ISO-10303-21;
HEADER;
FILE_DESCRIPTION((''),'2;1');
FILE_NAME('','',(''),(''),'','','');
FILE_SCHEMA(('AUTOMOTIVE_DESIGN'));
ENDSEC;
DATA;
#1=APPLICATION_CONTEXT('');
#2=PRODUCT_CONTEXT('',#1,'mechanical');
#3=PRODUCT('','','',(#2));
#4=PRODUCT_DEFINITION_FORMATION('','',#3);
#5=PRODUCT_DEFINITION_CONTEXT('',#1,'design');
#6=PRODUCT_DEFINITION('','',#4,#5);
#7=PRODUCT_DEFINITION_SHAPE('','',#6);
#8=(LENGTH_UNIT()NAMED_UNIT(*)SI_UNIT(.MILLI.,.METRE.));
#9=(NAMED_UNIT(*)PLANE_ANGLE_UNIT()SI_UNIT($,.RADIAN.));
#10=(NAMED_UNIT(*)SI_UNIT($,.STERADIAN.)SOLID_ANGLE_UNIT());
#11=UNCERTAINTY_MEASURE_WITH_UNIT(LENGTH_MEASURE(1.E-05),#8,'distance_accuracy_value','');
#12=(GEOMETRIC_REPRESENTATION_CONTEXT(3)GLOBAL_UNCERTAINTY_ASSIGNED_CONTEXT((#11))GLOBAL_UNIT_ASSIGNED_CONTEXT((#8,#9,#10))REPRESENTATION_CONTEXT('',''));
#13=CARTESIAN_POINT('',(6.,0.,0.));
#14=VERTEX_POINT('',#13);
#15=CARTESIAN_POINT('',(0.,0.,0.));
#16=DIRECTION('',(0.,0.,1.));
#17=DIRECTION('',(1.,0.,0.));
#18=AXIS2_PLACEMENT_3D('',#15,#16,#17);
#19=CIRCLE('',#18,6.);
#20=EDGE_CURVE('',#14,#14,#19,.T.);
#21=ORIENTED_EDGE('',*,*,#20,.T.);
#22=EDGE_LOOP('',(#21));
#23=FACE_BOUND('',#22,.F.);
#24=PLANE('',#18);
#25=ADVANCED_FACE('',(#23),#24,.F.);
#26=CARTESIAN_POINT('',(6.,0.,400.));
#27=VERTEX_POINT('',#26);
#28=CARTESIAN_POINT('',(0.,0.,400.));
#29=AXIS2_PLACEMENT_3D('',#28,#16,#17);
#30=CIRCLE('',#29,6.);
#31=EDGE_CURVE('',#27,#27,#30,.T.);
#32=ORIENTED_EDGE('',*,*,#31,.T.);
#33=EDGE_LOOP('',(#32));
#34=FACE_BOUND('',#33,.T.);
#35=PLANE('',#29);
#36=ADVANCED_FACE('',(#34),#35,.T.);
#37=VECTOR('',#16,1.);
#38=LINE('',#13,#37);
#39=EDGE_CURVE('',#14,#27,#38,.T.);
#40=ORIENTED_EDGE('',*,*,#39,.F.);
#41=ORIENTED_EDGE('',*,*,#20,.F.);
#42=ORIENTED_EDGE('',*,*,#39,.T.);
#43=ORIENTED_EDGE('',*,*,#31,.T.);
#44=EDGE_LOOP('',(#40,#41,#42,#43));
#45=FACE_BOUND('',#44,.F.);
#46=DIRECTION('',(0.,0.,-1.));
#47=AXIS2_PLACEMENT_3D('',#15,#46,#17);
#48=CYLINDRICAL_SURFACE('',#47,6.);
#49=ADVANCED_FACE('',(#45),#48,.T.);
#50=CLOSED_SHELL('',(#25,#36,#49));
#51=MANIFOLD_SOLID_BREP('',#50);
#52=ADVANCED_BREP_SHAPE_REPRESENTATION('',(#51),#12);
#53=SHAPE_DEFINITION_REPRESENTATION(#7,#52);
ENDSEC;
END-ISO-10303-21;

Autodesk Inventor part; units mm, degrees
ref_plane "YZ Plane" through (0, 0, 0) normal (1, 0, 0) x (0, 1, 0)
ref_plane "XZ Plane" through (0, 0, 0) normal (0, 1, 0) x (-1, 0, 0)
ref_plane "XY Plane" through (0, 0, 0) normal (0, 0, 1) x (1, 0, 0)
sketch "Sketch1" plane through (0, 0, 0) normal (0, 0, 1) x (1, 0, 0)
  circle A0 centre (0, 0) radius 6
  dimension "d0" = 12
extrude "Extrusion1" add sketch "Sketch1" along normal blind 400
properties part number "Z Axis Guide" material "Stainless Steel"
